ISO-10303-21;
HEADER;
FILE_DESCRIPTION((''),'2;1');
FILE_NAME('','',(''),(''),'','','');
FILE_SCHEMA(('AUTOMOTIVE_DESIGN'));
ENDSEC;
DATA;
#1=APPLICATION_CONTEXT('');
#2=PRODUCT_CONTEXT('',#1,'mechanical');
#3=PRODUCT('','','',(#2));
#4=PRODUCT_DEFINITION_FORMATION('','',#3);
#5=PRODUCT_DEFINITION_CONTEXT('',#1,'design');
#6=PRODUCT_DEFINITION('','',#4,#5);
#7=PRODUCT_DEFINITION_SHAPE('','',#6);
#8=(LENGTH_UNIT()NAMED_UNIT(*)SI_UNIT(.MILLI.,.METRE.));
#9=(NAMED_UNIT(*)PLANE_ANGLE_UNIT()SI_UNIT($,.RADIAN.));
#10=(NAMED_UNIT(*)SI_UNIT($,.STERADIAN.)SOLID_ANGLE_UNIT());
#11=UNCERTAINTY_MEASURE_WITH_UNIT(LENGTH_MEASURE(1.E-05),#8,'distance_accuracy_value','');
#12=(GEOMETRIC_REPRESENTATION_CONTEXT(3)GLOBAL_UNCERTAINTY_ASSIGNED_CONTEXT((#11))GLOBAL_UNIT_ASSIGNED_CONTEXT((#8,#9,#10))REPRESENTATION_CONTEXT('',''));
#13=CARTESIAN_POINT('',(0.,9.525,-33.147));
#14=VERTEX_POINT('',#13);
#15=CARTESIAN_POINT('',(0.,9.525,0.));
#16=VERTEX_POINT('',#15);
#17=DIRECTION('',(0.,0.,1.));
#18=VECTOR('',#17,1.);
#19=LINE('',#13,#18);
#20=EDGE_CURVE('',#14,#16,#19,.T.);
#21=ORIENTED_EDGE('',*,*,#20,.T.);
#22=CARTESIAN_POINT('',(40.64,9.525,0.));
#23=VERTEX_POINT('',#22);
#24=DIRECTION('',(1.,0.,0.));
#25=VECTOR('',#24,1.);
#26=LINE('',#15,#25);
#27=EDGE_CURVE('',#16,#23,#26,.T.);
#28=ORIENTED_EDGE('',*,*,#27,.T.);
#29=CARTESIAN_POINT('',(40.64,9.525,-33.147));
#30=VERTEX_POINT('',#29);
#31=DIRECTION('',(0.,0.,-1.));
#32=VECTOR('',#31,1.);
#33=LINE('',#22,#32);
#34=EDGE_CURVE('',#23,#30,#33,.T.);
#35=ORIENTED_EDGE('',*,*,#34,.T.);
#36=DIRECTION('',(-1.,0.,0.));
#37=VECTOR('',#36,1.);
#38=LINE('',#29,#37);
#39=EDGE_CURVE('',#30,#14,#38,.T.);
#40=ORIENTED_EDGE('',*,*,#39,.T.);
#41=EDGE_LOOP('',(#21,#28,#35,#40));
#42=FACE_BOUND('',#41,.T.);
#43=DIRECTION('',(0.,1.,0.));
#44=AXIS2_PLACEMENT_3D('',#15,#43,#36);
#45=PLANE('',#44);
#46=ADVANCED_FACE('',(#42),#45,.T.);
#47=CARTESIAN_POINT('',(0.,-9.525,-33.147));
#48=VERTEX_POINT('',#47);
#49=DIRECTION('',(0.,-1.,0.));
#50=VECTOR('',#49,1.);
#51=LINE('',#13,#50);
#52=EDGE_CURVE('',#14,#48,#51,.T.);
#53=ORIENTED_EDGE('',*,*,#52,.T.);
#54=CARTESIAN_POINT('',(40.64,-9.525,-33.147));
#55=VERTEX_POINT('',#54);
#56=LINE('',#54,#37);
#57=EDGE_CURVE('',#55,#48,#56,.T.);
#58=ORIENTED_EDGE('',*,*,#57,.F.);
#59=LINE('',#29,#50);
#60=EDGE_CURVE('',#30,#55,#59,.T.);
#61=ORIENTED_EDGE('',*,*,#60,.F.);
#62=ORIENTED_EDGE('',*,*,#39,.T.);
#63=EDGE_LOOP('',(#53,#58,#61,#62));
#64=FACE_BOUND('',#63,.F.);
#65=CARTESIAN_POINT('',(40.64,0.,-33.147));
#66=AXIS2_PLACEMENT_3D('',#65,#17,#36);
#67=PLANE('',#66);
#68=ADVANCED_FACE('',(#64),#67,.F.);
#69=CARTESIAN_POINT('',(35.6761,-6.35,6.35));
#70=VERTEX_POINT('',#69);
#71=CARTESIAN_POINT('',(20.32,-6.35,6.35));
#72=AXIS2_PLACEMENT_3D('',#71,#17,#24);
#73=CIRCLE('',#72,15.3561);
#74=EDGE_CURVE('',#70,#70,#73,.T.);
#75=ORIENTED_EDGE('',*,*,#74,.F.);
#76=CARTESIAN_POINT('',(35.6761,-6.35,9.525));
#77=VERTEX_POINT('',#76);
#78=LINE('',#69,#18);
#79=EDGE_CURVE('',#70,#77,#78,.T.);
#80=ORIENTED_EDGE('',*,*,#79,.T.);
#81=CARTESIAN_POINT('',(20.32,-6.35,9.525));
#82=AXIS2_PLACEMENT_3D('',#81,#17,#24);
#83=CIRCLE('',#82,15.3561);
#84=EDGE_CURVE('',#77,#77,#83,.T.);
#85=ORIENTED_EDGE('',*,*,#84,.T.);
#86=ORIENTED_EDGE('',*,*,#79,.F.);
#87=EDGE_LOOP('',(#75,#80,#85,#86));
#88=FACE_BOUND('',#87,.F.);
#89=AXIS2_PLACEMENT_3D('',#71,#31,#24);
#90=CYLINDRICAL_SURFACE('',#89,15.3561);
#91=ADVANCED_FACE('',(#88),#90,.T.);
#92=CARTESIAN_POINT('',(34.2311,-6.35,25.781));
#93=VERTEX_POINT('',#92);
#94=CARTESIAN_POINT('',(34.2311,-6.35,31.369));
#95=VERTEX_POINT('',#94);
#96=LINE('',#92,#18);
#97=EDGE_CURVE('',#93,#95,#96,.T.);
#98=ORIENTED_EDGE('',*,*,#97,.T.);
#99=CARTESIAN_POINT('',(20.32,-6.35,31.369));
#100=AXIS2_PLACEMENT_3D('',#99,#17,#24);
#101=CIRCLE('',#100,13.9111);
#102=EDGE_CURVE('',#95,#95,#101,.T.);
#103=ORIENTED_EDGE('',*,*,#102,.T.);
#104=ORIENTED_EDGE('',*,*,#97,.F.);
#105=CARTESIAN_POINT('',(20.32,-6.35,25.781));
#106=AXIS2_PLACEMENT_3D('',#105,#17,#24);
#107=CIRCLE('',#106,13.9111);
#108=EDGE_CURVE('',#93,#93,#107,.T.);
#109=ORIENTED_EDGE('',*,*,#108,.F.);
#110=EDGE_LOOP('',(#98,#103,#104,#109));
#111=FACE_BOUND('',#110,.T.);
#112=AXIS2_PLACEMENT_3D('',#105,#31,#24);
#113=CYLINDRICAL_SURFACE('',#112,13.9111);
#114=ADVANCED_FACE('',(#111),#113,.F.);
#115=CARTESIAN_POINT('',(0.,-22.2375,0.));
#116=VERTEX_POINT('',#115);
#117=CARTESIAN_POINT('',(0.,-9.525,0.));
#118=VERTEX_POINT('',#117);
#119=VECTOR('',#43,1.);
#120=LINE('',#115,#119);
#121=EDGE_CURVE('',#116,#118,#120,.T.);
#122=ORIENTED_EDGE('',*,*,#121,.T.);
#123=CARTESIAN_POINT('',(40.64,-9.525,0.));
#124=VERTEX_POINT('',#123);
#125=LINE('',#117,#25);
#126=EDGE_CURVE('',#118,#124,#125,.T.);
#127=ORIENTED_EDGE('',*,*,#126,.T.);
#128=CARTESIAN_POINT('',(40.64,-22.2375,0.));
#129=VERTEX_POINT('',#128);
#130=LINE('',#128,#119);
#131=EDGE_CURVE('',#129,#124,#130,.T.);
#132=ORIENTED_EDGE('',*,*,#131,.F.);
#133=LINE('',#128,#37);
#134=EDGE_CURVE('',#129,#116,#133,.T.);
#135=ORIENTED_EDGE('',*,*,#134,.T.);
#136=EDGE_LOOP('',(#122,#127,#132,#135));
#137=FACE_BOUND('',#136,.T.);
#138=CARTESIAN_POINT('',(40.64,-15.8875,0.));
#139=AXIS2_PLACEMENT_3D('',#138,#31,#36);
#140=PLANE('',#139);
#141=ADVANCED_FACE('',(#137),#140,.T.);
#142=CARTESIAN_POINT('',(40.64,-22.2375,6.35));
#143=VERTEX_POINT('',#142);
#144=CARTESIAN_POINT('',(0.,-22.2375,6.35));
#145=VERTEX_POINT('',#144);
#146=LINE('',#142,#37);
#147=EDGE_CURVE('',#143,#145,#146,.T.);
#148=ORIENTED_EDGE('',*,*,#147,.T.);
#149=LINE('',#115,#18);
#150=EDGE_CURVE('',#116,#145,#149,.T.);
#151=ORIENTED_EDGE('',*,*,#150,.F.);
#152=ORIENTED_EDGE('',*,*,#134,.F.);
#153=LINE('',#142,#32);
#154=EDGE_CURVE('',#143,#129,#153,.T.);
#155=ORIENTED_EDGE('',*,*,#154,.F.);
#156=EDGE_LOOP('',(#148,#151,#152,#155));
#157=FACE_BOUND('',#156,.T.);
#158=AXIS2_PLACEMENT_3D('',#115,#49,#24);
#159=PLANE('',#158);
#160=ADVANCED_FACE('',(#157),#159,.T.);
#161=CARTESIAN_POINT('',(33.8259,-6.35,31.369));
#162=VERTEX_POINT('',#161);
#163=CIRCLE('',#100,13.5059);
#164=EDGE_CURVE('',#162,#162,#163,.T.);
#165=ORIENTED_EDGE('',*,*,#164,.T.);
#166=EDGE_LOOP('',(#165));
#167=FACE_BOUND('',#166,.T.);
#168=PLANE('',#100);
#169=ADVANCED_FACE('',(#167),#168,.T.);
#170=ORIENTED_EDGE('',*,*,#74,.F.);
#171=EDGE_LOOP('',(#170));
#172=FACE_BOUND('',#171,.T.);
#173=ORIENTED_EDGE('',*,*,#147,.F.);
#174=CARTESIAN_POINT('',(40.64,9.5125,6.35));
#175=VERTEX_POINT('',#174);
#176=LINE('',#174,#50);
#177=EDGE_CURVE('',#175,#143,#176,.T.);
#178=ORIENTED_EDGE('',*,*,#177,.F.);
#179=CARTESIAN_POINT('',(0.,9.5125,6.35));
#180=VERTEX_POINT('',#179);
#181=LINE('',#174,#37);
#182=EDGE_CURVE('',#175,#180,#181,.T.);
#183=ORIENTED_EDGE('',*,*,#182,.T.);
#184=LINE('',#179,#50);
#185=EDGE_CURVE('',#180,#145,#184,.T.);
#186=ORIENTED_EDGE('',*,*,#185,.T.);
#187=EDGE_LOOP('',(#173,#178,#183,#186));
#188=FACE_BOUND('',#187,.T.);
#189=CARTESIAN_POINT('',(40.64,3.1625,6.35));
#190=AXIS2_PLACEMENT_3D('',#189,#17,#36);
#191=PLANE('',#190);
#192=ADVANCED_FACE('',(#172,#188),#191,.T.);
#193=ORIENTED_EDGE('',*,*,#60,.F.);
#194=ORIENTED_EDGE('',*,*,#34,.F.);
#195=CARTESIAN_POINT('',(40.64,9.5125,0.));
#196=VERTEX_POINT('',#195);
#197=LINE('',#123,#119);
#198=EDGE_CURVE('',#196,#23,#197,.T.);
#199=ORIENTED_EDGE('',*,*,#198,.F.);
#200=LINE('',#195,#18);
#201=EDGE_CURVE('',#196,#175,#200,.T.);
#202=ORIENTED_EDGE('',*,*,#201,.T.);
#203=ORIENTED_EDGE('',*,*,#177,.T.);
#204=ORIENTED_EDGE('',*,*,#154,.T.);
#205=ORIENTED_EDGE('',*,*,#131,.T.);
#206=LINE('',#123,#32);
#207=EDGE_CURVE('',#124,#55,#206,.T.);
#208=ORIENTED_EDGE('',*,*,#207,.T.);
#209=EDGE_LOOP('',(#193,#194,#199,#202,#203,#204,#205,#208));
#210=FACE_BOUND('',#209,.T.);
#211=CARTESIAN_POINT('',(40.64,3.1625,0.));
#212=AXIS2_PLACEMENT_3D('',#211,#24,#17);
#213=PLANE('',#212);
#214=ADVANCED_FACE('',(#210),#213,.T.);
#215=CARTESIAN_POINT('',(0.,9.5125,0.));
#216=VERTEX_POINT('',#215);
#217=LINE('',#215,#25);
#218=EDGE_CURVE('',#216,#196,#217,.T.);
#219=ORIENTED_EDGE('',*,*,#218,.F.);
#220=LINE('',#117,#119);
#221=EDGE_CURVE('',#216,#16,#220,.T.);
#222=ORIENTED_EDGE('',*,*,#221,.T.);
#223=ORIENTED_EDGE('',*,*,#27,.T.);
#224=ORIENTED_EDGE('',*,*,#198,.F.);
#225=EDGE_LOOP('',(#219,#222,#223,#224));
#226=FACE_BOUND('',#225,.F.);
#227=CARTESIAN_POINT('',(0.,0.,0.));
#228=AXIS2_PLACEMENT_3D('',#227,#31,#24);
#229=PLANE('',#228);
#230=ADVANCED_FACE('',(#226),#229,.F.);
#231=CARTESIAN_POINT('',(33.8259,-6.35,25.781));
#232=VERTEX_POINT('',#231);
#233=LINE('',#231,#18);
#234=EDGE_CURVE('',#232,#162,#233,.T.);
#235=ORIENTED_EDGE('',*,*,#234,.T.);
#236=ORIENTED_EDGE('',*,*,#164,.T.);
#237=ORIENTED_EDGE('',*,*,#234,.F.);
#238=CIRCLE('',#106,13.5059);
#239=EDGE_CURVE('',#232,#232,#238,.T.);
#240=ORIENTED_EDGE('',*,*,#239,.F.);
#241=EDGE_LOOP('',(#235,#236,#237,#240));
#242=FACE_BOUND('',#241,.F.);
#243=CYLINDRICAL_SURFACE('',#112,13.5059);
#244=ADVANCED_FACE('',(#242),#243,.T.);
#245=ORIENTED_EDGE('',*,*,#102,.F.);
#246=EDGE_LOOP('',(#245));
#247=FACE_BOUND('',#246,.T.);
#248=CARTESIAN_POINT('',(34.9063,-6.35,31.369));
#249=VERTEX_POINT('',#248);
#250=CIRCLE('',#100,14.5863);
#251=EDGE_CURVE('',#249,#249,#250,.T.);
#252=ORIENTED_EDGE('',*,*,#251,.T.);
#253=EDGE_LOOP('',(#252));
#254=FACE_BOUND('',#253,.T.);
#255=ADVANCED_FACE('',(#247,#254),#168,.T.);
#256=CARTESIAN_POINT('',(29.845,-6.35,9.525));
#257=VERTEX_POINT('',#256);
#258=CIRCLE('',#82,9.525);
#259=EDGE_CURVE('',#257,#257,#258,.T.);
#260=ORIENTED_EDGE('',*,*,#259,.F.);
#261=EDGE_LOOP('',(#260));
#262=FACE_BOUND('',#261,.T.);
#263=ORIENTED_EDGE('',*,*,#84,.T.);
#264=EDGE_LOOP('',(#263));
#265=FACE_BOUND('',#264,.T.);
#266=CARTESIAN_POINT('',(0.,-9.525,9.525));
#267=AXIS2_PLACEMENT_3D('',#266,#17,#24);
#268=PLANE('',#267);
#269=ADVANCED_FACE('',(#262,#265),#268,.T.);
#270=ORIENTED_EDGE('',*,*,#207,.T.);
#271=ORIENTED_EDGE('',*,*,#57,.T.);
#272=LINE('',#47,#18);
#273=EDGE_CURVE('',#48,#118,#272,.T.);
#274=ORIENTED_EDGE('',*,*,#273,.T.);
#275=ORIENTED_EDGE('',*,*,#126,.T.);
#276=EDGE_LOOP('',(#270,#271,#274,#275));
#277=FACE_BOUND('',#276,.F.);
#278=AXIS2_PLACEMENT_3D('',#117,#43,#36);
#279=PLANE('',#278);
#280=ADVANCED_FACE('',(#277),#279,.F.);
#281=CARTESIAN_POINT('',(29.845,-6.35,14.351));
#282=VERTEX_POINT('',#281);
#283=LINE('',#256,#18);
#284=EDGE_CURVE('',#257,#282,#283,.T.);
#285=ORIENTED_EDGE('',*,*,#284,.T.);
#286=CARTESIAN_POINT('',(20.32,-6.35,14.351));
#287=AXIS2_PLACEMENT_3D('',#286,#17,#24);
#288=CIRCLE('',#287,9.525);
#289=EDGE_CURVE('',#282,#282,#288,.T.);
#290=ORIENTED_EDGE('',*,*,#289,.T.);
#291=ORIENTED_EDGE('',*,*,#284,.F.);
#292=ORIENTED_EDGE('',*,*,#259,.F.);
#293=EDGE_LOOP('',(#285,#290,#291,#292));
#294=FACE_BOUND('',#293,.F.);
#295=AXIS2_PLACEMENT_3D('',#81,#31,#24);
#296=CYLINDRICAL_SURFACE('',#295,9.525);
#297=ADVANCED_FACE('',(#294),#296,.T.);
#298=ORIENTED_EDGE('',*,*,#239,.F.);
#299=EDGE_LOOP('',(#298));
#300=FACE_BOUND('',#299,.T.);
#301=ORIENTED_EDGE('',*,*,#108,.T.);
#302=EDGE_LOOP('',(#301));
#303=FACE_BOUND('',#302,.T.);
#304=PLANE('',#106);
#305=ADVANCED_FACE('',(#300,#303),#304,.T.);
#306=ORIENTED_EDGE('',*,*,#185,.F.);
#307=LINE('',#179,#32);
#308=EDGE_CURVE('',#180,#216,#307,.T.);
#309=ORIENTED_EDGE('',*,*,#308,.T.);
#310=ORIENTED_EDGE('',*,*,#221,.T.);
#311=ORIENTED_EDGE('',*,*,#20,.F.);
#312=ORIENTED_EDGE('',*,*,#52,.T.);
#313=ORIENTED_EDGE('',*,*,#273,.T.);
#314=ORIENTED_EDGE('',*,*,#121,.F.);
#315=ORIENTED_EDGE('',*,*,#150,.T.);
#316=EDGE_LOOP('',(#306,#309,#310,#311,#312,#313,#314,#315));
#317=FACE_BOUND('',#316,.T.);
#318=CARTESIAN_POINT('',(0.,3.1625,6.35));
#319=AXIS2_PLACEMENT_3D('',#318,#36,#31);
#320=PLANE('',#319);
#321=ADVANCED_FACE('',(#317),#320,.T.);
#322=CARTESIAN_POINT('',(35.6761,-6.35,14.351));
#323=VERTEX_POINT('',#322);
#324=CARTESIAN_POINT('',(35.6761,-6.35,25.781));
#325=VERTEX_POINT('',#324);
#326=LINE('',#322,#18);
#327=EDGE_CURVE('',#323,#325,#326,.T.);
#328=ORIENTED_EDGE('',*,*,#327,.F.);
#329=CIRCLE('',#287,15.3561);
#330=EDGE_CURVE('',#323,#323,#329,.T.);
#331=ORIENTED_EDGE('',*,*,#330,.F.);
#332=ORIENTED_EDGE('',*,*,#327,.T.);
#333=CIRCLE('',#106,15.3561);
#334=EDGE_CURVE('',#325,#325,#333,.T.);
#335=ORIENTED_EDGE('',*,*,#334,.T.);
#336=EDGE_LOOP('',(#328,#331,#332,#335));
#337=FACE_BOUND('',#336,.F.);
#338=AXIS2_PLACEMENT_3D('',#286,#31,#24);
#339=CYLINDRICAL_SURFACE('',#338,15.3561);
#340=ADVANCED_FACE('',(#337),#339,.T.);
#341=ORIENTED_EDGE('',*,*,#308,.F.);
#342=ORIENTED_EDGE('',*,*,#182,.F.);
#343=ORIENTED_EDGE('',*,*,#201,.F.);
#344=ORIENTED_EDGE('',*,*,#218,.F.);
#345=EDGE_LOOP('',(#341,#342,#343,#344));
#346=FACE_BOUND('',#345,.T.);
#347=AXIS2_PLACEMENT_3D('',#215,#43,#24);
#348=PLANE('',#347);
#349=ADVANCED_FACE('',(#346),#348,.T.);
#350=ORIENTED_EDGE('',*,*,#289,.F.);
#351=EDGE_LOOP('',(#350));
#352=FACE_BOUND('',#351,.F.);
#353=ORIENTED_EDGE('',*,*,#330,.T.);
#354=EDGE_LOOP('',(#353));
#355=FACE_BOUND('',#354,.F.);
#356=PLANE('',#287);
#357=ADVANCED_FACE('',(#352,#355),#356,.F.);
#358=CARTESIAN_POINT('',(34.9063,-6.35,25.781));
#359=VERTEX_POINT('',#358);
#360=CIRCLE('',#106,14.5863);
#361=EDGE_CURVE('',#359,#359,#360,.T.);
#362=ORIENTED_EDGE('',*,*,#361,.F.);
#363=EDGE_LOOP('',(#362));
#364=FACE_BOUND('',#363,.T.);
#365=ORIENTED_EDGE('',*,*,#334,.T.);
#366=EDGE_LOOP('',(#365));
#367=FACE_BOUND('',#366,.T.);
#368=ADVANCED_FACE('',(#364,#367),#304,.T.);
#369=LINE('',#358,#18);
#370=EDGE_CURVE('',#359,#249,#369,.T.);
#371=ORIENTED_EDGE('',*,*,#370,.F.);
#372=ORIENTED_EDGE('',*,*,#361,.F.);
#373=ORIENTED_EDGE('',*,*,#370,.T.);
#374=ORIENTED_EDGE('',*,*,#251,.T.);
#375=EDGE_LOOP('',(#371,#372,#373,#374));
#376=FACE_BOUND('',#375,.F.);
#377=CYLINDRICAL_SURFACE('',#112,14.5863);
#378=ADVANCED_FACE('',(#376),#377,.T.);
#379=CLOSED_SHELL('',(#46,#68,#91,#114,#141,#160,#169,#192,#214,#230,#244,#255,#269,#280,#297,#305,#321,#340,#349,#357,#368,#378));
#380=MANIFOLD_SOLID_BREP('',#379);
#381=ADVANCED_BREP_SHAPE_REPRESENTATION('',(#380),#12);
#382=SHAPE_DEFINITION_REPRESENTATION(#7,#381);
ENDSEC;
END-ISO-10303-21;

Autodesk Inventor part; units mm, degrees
ref_plane "YZ Plane" through (0, 0, 0) normal (1, 0, 0) x (0, 1, 0)
ref_plane "XZ Plane" through (0, 0, 0) normal (0, 1, 0) x (-1, 0, 0)
ref_plane "XY Plane" through (0, 0, 0) normal (0, 0, 1) x (1, 0, 0)
sketch "Sketch1" plane through (0, 0, 0) normal (0, 1, 0) x (-1, 0, 0)
  line L0 (0, 0) -> (-40.64, 0)
  line L1 (-40.64, 0) -> (-40.64, -33.147)
  line L2 (-40.64, -33.147) -> (0, -33.147)
  line L3 (0, -33.147) -> (0, 0)
  dimension "d0" = 40.64
  dimension "d1" = 33.147
extrude "Extrusion1" add sketch "Sketch1" along normal mid plane 19.05
sketch "Sketch2" plane through (0, -9.525, 0) normal (0, 0, 1) x (1, 0, 0)
  line L0 (0, -6.3625) -> (40.64, -6.3625)
  line L1 (40.64, -6.3625) -> (40.64, 12.6875)
  line L2 (40.64, 12.6875) -> (0, 12.6875)
  line L3 (0, 12.6875) -> (0, -6.3625)
  point P0 (0, 9.525)
  dimension "d4" = 40.64
  dimension "d5" = 19.05
extrude "Extrusion2" add sketch "Sketch2" along normal blind 6.35
sketch "Sketch3" plane through (0, -9.525, 6.35) normal (0, 0, 1) x (1, 0, 0)
  line L0 (40.64, 12.6875) -> (0, 12.6875) projected
  point P0 (0, 9.525)
sketch "Sketch7" plane through (0, -9.525, 6.35) normal (0, 0, 1) x (1, 0, 0)
  point P0 (0, 9.525)
sketch "Sketch8" plane through (0, -15.8875, 0) normal (0, -1, 0) x (1, 0, 0)
  line L0 (40.64, 6.35) -> (0, 6.35) projected
  line L1 (40.64, 0) -> (0, 0) projected
  line L2 (0, 6.35) -> (40.64, 6.35)
  line L3 (40.64, 6.35) -> (40.64, 0)
  line L4 (40.64, 0) -> (0, 0)
  line L5 (0, 0) -> (0, 6.35)
extrude "Extrusion5" add sketch "Sketch8" along normal blind 6.35
sketch "Sketch9" plane through (0, 3.1625, 0) normal (0, 1, 0) x (1, 0, 0)
  line L0 (40.64, 0) -> (40.64, -6.35) projected
  line L1 (0, 33.147) -> (0, 0) projected
  line L2 (40.64, -6.35) -> (0, -6.35)
  line L3 (0, -6.35) -> (0, 0)
  line L4 (0, 0) -> (40.64, 0)
  line L5 (40.64, 0) -> (40.64, -6.35)
extrude "Extrusion6" add sketch "Sketch9" along normal blind 6.35
sketch "Sketch10" plane through (0, -9.525, 6.35) normal (0, 0, 1) x (1, 0, 0)
  line L0 (0, 9.525) -> (0, 19.05) projected
  circle A0 centre (20.32, 3.175) radius 15.3561
extrude "Extrusion7" add sketch "Sketch10" along normal blind 3.175
sketch "Sketch11" plane through (20.32, -6.35, 9.525) normal (0, 0, 1) x (1, 0, 0)
  circle A0 centre (0, 0) radius 9.525
  point P0 (-20.32, 6.35)
  dimension "d27" = 19.05
extrude "Extrusion8" add sketch "Sketch11" along normal blind 4.826
sketch "Sketch12" plane through (20.32, -6.35, 14.351) normal (0, 0, 1) x (1, 0, 0)
  circle A0 centre (0, 0) radius 15.3561
  point P0 (-20.32, 6.35)
extrude "Extrusion9" add sketch "Sketch12" along normal blind 11.43
sketch "Sketch13" plane through (20.32, -6.35, 25.781) normal (0, 0, 1) x (1, 0, 0)
  circle A0 centre (0, 0) radius 14.5863
  circle A1 centre (0, 0) radius 13.9111
  point P0 (-20.32, 6.35)
extrude "Extrusion10" add sketch "Sketch13" along normal blind 5.588
sketch "Sketch14" plane through (20.32, -6.35, 25.781) normal (0, 0, 1) x (1, 0, 0)
  circle A0 centre (0, 0) radius 13.5059
  point P0 (-20.32, 6.35)
extrude "Extrusion11" add sketch "Sketch14" along normal blind 5.588
thread "Thread3" size "2-56 UNC" class "2A" standard "ANSI Unified Screw Threads" full length
properties part number "imdreset"
